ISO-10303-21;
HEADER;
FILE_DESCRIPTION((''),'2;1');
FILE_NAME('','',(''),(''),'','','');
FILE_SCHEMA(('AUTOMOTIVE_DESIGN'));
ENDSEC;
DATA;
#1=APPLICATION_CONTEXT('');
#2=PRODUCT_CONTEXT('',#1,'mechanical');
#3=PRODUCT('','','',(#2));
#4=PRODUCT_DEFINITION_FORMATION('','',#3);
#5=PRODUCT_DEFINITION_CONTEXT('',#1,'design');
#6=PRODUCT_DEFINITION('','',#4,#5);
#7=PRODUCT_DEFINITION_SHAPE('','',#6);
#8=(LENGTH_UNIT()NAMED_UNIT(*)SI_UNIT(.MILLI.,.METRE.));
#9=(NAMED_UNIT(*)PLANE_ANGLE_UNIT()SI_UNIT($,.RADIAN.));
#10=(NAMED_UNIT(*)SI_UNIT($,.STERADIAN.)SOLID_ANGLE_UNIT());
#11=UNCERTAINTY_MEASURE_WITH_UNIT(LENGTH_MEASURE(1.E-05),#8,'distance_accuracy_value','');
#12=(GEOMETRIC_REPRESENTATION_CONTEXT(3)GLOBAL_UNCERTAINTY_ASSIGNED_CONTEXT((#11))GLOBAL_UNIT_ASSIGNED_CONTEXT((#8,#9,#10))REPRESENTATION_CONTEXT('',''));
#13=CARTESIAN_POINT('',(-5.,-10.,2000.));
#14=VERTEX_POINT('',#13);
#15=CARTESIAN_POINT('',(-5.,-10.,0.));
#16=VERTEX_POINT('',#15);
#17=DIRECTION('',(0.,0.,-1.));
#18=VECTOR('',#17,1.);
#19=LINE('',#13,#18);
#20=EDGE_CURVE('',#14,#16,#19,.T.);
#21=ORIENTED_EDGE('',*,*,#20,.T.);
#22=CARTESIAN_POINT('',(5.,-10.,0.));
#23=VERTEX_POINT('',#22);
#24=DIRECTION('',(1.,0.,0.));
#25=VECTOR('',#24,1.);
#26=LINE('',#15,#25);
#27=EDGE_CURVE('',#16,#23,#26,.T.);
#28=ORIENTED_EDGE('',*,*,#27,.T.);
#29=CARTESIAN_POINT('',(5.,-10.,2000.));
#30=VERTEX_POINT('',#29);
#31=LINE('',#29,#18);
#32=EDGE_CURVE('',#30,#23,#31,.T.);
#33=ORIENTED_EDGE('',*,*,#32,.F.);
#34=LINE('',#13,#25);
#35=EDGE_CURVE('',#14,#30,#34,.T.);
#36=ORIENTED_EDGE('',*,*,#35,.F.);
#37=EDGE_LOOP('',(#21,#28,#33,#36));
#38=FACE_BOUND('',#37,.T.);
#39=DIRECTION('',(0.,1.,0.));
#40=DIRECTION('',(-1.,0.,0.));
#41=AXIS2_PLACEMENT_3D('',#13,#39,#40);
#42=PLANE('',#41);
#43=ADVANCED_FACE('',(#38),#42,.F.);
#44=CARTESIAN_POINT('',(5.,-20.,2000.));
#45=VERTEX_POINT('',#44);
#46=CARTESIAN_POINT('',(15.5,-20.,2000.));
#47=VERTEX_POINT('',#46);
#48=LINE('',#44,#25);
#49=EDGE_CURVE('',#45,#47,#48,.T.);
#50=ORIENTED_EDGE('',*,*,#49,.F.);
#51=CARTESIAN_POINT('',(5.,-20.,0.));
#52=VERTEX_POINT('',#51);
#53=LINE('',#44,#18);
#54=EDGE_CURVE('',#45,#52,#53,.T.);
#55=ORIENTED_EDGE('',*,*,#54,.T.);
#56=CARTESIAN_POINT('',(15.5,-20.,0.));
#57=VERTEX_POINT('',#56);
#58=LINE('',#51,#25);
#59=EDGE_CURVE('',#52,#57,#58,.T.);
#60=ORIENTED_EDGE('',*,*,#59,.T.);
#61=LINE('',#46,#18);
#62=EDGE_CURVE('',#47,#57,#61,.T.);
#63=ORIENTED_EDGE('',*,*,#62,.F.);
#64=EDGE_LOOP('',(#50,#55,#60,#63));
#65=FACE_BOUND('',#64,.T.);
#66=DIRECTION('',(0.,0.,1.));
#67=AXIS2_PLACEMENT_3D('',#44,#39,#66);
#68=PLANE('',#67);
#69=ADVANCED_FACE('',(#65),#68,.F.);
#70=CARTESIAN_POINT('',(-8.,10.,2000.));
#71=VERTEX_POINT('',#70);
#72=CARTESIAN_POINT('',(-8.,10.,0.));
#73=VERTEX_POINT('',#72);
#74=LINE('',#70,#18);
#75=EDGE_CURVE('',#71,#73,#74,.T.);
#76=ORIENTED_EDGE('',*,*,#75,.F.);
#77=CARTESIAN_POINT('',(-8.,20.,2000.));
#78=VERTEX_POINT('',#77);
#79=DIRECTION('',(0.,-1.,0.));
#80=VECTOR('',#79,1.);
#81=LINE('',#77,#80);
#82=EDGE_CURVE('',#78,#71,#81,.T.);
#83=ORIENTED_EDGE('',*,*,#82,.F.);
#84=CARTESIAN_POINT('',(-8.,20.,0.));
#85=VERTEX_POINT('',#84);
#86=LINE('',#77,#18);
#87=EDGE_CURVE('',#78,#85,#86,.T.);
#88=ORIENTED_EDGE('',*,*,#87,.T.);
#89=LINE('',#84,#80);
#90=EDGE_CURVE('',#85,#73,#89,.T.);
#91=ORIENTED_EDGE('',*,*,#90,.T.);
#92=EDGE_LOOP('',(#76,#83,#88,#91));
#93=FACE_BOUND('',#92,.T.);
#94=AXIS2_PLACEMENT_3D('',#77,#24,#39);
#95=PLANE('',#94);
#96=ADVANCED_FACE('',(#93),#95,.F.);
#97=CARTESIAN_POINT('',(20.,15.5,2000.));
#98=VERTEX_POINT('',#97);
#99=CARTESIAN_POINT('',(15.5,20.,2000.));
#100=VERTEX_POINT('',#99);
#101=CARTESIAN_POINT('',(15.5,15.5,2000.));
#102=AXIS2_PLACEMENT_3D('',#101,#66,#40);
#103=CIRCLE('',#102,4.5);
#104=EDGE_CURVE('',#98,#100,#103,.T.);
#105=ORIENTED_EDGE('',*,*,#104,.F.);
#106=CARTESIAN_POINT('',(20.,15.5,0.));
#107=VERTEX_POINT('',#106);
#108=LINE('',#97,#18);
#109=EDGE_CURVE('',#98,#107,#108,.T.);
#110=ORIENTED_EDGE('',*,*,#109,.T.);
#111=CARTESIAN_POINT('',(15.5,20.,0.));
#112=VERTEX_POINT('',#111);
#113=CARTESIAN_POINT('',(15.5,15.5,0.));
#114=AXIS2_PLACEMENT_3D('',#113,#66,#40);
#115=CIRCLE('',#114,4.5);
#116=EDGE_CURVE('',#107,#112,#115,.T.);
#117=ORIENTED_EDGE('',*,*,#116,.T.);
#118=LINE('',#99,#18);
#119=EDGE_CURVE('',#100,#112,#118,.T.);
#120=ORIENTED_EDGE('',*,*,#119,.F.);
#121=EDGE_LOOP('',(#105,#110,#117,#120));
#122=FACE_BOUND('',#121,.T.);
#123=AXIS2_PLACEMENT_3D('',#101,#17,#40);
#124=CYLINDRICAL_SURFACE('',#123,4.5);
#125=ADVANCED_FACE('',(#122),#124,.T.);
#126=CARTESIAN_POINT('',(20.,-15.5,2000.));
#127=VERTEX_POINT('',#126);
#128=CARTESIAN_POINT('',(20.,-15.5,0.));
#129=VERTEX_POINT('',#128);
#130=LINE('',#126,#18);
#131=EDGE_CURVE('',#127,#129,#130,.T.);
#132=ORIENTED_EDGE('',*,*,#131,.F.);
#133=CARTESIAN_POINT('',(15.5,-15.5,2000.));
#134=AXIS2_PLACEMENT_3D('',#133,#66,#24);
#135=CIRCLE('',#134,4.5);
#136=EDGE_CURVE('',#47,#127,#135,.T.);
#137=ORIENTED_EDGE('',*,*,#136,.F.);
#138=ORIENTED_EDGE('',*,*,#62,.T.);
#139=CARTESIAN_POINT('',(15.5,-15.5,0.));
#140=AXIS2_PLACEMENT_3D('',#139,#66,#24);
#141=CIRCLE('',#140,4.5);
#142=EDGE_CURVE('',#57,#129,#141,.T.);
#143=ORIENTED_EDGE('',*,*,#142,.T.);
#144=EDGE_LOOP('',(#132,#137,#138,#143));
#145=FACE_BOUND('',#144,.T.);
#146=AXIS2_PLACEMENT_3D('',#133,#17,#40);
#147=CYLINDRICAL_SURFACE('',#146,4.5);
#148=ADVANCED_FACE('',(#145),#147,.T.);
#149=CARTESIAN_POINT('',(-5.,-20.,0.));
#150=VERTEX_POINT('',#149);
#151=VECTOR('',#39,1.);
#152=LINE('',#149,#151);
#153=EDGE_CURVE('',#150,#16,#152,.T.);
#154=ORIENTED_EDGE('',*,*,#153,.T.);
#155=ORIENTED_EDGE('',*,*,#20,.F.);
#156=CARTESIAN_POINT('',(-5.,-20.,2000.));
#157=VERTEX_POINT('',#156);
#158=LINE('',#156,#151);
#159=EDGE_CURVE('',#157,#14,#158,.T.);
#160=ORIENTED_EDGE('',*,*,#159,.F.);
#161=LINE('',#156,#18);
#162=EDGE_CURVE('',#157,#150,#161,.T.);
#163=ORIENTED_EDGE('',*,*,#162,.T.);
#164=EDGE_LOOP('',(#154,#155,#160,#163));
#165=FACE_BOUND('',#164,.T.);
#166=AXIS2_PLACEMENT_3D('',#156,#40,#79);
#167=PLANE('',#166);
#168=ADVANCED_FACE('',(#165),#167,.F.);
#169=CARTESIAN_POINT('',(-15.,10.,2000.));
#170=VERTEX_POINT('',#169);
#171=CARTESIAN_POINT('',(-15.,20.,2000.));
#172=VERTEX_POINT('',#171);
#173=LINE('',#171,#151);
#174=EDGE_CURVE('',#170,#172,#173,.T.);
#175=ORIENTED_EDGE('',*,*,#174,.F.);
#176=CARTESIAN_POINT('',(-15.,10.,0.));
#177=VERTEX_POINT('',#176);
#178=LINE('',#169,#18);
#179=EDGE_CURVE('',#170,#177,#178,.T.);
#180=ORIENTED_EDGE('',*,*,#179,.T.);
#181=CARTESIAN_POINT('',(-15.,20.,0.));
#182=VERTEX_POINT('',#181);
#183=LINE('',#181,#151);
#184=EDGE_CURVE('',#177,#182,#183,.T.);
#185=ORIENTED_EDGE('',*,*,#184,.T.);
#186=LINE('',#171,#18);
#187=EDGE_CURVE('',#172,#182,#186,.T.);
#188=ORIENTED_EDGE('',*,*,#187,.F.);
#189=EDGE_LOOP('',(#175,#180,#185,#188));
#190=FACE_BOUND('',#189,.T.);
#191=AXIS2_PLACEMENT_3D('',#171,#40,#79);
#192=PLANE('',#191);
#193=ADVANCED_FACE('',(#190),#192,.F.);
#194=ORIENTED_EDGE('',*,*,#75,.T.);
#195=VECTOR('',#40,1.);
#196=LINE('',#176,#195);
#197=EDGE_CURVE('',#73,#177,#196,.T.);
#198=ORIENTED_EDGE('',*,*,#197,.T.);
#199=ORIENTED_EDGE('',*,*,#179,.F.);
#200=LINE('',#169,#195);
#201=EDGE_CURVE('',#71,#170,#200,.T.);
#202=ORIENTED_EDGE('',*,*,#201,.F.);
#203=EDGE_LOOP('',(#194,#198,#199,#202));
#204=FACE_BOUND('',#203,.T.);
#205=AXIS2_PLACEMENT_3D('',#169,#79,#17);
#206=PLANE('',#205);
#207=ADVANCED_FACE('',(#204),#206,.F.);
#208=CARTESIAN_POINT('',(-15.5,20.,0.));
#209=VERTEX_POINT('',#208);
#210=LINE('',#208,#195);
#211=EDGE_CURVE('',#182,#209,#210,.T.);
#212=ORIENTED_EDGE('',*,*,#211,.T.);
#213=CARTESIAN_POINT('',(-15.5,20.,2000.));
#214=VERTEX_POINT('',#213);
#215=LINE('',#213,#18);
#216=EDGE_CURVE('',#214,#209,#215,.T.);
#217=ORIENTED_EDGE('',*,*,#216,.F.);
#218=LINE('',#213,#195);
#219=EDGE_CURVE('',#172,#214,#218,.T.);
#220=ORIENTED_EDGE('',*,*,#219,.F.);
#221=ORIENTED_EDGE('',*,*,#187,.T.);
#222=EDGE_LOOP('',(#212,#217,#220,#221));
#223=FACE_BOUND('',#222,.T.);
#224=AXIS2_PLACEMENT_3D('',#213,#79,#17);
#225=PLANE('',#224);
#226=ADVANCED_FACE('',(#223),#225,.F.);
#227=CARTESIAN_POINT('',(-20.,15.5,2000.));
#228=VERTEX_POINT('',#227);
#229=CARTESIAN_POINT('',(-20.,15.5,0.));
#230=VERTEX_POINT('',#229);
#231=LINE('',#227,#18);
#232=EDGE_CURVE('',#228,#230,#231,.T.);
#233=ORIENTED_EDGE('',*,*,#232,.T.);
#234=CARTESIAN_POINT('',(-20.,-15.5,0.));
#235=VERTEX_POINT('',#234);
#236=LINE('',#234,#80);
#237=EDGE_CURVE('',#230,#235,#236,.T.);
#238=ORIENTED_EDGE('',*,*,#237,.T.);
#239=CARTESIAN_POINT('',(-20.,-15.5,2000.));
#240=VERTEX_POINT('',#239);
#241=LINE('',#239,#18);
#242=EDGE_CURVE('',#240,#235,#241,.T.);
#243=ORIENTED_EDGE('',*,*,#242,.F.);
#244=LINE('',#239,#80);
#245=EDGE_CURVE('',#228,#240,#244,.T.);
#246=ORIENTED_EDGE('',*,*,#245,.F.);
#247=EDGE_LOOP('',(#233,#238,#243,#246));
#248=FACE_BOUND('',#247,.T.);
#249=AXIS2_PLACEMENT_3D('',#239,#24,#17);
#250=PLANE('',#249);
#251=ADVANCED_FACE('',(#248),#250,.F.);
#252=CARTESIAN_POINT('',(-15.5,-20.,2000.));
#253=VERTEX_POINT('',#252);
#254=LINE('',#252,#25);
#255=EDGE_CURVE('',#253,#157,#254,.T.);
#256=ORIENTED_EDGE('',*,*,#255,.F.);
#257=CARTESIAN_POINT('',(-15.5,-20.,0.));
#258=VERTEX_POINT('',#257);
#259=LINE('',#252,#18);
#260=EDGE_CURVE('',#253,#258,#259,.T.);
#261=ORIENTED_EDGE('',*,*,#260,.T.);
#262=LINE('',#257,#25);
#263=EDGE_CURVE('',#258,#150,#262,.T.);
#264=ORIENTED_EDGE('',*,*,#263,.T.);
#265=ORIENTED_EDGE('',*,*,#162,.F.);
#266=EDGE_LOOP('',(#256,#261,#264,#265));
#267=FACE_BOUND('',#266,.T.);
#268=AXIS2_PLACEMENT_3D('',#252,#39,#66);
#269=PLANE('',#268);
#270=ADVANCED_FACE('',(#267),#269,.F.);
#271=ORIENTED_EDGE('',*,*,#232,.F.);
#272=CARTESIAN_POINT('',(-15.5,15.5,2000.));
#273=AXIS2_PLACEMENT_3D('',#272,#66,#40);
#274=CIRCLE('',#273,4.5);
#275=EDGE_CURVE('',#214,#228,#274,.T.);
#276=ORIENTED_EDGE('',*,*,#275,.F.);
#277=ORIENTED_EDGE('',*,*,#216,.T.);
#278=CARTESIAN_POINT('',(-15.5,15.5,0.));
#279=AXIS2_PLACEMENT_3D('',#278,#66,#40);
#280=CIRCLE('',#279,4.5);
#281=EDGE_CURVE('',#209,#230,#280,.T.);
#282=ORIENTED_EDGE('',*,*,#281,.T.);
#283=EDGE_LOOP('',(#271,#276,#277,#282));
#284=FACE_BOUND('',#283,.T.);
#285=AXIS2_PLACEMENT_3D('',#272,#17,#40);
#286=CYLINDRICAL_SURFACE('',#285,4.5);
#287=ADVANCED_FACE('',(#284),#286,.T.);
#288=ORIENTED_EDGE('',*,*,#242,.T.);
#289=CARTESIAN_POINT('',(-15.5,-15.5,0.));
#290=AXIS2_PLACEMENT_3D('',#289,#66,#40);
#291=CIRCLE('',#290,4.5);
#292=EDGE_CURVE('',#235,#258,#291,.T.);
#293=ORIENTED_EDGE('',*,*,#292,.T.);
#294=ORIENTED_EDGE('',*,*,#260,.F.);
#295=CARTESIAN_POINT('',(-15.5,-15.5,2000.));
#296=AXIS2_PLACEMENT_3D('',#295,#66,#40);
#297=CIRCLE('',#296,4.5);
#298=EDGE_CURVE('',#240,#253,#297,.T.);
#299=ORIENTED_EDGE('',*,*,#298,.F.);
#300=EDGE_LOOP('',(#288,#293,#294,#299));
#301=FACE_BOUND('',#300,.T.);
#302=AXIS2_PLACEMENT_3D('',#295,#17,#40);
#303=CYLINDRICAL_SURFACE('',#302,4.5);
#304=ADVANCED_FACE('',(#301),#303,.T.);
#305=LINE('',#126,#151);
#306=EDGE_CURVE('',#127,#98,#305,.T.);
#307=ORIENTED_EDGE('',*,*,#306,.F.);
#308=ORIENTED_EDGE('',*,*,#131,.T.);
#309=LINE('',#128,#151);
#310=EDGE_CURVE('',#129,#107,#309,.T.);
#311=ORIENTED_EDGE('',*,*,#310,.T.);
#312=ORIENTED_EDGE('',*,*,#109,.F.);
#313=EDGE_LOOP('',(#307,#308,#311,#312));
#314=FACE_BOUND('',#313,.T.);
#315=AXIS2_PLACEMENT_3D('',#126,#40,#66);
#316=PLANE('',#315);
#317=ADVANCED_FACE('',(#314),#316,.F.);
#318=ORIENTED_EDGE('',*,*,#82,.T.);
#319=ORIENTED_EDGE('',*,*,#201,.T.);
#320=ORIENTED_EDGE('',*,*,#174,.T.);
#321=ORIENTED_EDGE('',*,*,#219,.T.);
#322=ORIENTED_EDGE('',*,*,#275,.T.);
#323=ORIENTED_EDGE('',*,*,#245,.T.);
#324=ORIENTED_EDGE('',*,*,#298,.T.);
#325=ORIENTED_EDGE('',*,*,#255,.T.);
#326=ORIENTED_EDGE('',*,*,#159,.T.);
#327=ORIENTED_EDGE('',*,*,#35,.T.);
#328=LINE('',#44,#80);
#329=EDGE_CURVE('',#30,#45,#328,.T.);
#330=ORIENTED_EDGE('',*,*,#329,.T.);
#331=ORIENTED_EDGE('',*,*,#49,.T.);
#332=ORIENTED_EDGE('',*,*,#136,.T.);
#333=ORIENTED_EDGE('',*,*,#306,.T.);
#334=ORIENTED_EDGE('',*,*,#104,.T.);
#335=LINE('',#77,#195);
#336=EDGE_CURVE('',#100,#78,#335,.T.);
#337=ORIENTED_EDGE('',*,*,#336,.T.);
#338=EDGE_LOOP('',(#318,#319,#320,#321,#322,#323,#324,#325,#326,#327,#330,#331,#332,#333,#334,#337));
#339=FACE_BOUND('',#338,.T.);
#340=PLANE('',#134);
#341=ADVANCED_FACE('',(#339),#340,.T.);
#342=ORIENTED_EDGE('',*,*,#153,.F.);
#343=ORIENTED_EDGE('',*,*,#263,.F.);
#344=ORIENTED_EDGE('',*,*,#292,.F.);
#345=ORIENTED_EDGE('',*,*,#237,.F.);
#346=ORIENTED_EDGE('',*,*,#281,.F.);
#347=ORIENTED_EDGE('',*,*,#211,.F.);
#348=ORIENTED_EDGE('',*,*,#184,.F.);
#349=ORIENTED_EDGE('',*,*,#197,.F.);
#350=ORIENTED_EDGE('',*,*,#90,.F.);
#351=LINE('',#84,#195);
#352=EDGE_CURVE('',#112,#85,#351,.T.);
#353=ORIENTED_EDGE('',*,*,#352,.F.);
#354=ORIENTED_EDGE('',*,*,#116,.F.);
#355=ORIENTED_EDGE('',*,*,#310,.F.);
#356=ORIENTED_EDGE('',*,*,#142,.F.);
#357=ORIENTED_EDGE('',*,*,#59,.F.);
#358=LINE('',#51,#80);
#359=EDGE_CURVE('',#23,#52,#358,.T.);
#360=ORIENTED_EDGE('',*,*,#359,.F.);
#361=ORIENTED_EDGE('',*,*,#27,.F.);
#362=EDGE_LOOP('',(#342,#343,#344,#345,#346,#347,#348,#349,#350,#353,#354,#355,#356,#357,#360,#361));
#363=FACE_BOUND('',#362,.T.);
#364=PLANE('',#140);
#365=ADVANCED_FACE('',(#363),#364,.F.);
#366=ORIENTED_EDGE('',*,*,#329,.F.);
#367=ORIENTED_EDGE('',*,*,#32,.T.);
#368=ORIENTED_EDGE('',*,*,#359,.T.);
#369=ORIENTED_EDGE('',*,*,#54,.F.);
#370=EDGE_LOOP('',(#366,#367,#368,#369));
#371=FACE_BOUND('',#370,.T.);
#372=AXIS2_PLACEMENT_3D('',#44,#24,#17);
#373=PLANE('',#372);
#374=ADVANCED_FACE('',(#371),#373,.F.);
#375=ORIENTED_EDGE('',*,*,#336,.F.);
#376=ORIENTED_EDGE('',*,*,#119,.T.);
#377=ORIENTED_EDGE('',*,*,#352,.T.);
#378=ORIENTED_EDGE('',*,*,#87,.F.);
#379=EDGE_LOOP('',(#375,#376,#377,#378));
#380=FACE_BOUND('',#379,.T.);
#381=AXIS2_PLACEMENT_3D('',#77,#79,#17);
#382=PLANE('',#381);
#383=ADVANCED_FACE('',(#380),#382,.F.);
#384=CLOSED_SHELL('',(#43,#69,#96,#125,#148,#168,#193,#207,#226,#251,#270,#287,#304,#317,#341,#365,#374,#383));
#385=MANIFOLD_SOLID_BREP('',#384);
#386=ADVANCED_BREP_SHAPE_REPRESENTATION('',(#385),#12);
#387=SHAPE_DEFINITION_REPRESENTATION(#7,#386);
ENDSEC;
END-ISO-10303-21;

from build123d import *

# Parameters (mm, degrees)
BOSS_EXTRUDE1_DEPTH = 2000


with BuildPart() as part:
    # Sketch1 → Boss-Extrude1 (new body)
    with BuildSketch(Plane.XY):
        with BuildLine():
            Line((-15.5, -20), (-5, -20))
            Line((-5, -20), (-5, -10))
            Line((-5, -10), (5, -10))
            Line((5, -10), (5, -20))
            Line((5, -20), (15.5, -20))
            ThreePointArc((15.5, -20), (18.681980515, -18.681980515), (20, -15.5))
            Line((20, -15.5), (20, 15.5))
            ThreePointArc((20, 15.5), (18.681980515, 18.681980515), (15.5, 20))
            Line((15.5, 20), (-8, 20))
            Line((-8, 20), (-8, 10))
            Line((-8, 10), (-15, 10))
            Line((-15, 10), (-15, 20))
            Line((-15, 20), (-15.5, 20))
            ThreePointArc((-15.5, 20), (-18.681980515, 18.681980515), (-20, 15.5))
            Line((-20, 15.5), (-20, -15.5))
            ThreePointArc((-20, -15.5), (-18.681980515, -18.681980515), (-15.5, -20))
        make_face()
    extrude(amount=BOSS_EXTRUDE1_DEPTH)


solid = part.part
